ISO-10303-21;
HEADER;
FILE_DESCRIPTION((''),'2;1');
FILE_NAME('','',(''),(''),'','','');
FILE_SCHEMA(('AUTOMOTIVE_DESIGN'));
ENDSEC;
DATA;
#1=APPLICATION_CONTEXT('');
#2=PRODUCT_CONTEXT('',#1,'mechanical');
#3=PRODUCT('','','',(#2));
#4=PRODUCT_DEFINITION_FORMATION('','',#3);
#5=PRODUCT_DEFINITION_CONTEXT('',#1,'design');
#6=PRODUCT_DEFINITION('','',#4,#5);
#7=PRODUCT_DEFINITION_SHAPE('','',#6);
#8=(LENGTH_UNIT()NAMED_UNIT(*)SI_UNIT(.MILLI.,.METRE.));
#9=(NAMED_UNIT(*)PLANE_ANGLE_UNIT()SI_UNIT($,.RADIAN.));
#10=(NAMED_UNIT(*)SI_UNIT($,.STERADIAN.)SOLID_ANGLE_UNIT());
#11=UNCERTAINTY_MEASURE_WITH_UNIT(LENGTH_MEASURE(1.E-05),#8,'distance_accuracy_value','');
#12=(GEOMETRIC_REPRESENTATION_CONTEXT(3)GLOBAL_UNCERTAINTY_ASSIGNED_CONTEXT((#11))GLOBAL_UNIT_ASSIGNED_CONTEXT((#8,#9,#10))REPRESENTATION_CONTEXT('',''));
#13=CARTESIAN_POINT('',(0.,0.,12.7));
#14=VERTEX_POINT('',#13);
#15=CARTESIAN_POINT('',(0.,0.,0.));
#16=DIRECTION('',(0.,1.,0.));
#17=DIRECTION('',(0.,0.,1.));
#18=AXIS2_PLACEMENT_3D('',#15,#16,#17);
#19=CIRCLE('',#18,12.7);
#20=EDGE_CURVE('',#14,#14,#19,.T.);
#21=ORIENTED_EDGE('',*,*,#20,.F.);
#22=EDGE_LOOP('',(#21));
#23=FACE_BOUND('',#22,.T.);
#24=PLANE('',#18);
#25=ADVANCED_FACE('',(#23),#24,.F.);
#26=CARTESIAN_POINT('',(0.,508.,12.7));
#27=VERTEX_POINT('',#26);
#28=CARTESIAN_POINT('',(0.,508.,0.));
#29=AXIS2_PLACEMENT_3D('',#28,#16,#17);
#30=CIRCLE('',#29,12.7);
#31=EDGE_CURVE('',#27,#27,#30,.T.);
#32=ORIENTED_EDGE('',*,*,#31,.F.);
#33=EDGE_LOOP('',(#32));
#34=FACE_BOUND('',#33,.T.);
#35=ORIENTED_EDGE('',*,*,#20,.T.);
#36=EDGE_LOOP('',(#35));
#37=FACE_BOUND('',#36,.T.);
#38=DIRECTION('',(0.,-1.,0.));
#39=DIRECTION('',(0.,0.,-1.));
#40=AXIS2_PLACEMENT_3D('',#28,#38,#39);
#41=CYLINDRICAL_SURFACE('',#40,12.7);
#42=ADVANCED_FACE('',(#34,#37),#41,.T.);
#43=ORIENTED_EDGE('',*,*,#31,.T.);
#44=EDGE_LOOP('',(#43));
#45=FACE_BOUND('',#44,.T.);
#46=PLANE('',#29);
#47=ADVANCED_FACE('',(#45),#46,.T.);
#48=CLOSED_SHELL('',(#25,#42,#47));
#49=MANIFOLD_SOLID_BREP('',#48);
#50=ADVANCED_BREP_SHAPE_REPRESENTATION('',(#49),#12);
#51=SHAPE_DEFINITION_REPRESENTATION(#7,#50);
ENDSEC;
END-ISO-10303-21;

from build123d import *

# Parameters (mm, degrees)
SKETCH1_R      = 12.7
EXTRUDE1_DEPTH = 508


with BuildPart() as part:
    # Sketch1 → Extrude1 (new body)
    with BuildSketch(Plane(origin=(0, 0, 0), x_dir=(1, 0, 0), z_dir=(0, 1, 0))):
        Circle(SKETCH1_R)
    extrude(amount=EXTRUDE1_DEPTH)


solid = part.part
